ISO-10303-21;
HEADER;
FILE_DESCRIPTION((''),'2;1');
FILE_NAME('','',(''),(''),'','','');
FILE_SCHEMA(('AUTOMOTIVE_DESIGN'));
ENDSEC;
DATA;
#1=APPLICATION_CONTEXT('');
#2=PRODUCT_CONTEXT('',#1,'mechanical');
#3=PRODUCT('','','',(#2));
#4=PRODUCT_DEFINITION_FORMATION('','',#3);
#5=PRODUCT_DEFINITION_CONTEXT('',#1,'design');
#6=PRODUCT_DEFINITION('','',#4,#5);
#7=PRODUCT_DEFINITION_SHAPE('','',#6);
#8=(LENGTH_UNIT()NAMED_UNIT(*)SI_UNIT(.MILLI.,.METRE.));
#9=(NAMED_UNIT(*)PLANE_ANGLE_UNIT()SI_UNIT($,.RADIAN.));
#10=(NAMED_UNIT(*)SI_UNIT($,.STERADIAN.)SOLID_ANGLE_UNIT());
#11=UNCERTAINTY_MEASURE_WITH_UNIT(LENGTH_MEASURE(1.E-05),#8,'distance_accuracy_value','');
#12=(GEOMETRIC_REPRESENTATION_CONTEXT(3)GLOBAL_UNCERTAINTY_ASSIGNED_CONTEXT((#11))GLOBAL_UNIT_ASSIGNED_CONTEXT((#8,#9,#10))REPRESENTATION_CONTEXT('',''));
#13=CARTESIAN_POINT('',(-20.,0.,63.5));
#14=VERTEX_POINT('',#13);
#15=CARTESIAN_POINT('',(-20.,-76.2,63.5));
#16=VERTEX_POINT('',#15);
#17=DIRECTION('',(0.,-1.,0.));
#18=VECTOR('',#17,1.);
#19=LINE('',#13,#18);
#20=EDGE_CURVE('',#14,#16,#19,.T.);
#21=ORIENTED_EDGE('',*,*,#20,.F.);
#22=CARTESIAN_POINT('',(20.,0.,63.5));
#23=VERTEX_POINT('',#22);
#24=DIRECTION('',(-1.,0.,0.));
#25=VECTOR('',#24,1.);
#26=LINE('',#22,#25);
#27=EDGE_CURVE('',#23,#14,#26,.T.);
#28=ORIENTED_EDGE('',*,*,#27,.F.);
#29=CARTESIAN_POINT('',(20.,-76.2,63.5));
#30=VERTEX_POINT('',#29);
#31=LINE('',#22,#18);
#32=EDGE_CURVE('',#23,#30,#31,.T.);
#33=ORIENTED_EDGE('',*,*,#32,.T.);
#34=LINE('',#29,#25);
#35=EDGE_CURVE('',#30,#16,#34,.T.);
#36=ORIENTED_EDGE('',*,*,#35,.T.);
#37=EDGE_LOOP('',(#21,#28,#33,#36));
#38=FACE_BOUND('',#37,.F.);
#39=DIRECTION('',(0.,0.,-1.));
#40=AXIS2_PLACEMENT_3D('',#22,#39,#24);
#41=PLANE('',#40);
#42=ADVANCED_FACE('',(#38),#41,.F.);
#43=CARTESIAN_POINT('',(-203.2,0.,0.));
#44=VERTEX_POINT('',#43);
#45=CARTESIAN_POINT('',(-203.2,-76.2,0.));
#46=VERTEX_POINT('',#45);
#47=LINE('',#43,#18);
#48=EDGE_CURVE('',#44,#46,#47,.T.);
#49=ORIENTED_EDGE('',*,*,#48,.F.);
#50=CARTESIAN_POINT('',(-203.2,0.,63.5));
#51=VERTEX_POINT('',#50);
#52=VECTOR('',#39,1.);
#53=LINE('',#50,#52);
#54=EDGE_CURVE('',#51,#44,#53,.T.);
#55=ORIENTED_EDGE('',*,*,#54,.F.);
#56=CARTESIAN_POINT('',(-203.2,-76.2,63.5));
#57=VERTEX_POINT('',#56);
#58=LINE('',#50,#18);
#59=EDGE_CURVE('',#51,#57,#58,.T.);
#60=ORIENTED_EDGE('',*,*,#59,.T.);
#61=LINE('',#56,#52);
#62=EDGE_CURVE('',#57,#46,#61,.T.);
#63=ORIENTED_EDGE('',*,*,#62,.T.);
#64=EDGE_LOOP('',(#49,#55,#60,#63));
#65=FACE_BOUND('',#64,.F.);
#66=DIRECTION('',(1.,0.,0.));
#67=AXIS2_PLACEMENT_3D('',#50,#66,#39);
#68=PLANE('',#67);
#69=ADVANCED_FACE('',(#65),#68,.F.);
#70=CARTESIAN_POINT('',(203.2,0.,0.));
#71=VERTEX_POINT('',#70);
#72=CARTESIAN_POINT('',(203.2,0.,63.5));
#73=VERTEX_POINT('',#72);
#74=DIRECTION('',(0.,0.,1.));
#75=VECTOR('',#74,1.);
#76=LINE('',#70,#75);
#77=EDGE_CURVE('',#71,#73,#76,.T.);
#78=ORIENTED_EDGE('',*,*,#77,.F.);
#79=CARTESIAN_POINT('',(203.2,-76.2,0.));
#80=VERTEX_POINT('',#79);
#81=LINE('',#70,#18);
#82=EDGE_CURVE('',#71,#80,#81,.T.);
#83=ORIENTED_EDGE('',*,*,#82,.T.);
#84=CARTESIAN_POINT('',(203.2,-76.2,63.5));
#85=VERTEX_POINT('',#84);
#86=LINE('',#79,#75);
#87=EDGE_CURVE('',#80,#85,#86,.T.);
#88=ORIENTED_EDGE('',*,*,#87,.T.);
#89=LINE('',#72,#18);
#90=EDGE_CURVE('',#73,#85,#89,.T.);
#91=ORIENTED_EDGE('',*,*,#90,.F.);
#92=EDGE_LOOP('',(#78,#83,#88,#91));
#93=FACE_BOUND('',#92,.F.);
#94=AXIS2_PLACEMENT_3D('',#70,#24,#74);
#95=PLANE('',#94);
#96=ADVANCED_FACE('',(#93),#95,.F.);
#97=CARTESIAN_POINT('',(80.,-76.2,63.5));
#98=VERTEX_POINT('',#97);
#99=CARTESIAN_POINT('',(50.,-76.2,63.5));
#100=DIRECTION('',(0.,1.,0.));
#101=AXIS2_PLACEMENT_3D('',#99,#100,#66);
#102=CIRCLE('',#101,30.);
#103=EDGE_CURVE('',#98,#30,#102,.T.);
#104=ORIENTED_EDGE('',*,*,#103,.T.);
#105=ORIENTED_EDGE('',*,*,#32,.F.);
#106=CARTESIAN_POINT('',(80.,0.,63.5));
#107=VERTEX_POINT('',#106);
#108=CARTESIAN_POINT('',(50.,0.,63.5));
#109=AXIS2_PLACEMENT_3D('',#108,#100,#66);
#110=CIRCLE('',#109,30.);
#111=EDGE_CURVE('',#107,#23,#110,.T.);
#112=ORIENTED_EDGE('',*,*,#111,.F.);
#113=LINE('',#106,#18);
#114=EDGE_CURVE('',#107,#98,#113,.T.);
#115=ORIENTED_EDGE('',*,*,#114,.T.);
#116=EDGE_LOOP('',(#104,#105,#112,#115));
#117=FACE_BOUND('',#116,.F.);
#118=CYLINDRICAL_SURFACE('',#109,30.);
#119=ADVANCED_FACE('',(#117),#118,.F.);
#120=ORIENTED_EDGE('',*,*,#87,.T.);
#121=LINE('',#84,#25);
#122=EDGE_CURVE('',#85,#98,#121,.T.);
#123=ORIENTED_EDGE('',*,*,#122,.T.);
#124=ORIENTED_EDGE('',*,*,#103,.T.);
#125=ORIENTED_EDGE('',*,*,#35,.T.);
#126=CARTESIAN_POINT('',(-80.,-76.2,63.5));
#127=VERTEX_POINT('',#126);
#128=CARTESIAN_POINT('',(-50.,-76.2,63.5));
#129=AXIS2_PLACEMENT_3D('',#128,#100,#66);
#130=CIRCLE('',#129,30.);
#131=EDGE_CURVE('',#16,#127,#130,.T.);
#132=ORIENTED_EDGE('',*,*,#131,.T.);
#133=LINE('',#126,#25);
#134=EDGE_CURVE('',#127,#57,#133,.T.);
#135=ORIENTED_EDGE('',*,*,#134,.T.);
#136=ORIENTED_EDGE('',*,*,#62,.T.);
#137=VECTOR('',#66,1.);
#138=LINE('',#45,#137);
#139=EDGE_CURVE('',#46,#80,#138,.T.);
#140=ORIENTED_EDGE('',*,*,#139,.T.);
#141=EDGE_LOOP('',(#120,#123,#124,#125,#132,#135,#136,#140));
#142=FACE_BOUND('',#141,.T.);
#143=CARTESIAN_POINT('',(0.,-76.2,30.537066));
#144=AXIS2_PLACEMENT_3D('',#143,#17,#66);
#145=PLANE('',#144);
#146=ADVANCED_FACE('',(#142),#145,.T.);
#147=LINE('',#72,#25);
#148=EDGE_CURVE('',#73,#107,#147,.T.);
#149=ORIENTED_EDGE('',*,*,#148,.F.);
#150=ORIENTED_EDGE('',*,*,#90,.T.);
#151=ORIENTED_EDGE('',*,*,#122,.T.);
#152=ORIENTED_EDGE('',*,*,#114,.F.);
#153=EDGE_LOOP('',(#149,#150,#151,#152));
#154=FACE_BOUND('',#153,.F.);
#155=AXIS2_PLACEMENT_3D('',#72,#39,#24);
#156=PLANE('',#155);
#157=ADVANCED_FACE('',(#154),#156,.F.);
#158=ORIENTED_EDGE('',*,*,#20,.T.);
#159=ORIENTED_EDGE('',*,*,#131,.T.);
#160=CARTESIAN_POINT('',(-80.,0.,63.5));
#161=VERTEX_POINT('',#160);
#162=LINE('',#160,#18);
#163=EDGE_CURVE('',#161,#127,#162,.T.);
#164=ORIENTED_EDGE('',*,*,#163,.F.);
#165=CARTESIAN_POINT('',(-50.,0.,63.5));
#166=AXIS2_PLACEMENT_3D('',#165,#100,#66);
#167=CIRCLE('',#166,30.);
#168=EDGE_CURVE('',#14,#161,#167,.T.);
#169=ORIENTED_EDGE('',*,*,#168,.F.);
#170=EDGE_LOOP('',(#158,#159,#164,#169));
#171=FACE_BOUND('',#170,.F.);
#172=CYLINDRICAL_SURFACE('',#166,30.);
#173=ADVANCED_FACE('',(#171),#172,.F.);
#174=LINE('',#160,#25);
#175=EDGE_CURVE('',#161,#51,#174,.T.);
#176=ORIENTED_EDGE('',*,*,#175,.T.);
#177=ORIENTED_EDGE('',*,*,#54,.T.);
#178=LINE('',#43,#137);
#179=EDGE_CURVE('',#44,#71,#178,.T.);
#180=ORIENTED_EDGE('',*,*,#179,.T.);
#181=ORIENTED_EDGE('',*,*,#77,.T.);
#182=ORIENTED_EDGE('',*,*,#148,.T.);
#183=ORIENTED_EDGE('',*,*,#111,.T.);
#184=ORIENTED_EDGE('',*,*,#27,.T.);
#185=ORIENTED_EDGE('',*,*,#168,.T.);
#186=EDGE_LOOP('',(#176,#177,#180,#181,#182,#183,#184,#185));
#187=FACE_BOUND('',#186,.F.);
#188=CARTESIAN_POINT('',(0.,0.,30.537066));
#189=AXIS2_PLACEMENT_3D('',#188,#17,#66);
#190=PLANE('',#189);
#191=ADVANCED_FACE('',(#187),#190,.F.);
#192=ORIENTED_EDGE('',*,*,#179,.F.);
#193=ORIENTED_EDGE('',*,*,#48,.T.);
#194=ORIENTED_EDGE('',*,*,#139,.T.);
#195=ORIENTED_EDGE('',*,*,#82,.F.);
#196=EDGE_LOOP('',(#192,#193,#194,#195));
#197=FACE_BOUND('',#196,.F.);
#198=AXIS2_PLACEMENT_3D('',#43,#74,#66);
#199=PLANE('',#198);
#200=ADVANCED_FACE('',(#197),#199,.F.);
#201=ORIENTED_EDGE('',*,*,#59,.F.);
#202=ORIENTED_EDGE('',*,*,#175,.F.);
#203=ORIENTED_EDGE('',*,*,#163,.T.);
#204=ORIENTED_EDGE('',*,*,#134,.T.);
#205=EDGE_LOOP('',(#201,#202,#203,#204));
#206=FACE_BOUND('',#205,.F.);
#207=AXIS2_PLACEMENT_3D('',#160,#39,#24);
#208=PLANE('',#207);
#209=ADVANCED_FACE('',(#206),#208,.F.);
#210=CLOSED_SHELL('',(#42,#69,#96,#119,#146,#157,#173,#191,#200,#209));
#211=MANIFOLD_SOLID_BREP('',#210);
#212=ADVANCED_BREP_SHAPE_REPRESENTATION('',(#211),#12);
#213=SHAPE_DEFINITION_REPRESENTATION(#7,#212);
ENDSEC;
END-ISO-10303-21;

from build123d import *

# Parameters (mm, degrees)
F1_DEPTH = 76.2


with BuildPart() as f1:
    # F0 (on Front) → F1 (new body)
    with BuildSketch(Plane.XZ):
        with BuildLine():
            Line((-203.2, 0), (0, 0))
            Line((0, 0), (203.2, 0))
            Line((203.2, 0), (203.2, 63.5))
            Line((203.2, 63.5), (80, 63.5))
            ThreePointArc((80, 63.5), (50, 33.5), (20, 63.5))
            Line((20, 63.5), (0, 63.5))
            Line((0, 63.5), (-20, 63.5))
            ThreePointArc((-20, 63.5), (-50, 33.5), (-80, 63.5))
            Line((-80, 63.5), (-203.2, 63.5))
            Line((-203.2, 63.5), (-203.2, 0))
        make_face()
    extrude(amount=F1_DEPTH)


solid = f1.part
